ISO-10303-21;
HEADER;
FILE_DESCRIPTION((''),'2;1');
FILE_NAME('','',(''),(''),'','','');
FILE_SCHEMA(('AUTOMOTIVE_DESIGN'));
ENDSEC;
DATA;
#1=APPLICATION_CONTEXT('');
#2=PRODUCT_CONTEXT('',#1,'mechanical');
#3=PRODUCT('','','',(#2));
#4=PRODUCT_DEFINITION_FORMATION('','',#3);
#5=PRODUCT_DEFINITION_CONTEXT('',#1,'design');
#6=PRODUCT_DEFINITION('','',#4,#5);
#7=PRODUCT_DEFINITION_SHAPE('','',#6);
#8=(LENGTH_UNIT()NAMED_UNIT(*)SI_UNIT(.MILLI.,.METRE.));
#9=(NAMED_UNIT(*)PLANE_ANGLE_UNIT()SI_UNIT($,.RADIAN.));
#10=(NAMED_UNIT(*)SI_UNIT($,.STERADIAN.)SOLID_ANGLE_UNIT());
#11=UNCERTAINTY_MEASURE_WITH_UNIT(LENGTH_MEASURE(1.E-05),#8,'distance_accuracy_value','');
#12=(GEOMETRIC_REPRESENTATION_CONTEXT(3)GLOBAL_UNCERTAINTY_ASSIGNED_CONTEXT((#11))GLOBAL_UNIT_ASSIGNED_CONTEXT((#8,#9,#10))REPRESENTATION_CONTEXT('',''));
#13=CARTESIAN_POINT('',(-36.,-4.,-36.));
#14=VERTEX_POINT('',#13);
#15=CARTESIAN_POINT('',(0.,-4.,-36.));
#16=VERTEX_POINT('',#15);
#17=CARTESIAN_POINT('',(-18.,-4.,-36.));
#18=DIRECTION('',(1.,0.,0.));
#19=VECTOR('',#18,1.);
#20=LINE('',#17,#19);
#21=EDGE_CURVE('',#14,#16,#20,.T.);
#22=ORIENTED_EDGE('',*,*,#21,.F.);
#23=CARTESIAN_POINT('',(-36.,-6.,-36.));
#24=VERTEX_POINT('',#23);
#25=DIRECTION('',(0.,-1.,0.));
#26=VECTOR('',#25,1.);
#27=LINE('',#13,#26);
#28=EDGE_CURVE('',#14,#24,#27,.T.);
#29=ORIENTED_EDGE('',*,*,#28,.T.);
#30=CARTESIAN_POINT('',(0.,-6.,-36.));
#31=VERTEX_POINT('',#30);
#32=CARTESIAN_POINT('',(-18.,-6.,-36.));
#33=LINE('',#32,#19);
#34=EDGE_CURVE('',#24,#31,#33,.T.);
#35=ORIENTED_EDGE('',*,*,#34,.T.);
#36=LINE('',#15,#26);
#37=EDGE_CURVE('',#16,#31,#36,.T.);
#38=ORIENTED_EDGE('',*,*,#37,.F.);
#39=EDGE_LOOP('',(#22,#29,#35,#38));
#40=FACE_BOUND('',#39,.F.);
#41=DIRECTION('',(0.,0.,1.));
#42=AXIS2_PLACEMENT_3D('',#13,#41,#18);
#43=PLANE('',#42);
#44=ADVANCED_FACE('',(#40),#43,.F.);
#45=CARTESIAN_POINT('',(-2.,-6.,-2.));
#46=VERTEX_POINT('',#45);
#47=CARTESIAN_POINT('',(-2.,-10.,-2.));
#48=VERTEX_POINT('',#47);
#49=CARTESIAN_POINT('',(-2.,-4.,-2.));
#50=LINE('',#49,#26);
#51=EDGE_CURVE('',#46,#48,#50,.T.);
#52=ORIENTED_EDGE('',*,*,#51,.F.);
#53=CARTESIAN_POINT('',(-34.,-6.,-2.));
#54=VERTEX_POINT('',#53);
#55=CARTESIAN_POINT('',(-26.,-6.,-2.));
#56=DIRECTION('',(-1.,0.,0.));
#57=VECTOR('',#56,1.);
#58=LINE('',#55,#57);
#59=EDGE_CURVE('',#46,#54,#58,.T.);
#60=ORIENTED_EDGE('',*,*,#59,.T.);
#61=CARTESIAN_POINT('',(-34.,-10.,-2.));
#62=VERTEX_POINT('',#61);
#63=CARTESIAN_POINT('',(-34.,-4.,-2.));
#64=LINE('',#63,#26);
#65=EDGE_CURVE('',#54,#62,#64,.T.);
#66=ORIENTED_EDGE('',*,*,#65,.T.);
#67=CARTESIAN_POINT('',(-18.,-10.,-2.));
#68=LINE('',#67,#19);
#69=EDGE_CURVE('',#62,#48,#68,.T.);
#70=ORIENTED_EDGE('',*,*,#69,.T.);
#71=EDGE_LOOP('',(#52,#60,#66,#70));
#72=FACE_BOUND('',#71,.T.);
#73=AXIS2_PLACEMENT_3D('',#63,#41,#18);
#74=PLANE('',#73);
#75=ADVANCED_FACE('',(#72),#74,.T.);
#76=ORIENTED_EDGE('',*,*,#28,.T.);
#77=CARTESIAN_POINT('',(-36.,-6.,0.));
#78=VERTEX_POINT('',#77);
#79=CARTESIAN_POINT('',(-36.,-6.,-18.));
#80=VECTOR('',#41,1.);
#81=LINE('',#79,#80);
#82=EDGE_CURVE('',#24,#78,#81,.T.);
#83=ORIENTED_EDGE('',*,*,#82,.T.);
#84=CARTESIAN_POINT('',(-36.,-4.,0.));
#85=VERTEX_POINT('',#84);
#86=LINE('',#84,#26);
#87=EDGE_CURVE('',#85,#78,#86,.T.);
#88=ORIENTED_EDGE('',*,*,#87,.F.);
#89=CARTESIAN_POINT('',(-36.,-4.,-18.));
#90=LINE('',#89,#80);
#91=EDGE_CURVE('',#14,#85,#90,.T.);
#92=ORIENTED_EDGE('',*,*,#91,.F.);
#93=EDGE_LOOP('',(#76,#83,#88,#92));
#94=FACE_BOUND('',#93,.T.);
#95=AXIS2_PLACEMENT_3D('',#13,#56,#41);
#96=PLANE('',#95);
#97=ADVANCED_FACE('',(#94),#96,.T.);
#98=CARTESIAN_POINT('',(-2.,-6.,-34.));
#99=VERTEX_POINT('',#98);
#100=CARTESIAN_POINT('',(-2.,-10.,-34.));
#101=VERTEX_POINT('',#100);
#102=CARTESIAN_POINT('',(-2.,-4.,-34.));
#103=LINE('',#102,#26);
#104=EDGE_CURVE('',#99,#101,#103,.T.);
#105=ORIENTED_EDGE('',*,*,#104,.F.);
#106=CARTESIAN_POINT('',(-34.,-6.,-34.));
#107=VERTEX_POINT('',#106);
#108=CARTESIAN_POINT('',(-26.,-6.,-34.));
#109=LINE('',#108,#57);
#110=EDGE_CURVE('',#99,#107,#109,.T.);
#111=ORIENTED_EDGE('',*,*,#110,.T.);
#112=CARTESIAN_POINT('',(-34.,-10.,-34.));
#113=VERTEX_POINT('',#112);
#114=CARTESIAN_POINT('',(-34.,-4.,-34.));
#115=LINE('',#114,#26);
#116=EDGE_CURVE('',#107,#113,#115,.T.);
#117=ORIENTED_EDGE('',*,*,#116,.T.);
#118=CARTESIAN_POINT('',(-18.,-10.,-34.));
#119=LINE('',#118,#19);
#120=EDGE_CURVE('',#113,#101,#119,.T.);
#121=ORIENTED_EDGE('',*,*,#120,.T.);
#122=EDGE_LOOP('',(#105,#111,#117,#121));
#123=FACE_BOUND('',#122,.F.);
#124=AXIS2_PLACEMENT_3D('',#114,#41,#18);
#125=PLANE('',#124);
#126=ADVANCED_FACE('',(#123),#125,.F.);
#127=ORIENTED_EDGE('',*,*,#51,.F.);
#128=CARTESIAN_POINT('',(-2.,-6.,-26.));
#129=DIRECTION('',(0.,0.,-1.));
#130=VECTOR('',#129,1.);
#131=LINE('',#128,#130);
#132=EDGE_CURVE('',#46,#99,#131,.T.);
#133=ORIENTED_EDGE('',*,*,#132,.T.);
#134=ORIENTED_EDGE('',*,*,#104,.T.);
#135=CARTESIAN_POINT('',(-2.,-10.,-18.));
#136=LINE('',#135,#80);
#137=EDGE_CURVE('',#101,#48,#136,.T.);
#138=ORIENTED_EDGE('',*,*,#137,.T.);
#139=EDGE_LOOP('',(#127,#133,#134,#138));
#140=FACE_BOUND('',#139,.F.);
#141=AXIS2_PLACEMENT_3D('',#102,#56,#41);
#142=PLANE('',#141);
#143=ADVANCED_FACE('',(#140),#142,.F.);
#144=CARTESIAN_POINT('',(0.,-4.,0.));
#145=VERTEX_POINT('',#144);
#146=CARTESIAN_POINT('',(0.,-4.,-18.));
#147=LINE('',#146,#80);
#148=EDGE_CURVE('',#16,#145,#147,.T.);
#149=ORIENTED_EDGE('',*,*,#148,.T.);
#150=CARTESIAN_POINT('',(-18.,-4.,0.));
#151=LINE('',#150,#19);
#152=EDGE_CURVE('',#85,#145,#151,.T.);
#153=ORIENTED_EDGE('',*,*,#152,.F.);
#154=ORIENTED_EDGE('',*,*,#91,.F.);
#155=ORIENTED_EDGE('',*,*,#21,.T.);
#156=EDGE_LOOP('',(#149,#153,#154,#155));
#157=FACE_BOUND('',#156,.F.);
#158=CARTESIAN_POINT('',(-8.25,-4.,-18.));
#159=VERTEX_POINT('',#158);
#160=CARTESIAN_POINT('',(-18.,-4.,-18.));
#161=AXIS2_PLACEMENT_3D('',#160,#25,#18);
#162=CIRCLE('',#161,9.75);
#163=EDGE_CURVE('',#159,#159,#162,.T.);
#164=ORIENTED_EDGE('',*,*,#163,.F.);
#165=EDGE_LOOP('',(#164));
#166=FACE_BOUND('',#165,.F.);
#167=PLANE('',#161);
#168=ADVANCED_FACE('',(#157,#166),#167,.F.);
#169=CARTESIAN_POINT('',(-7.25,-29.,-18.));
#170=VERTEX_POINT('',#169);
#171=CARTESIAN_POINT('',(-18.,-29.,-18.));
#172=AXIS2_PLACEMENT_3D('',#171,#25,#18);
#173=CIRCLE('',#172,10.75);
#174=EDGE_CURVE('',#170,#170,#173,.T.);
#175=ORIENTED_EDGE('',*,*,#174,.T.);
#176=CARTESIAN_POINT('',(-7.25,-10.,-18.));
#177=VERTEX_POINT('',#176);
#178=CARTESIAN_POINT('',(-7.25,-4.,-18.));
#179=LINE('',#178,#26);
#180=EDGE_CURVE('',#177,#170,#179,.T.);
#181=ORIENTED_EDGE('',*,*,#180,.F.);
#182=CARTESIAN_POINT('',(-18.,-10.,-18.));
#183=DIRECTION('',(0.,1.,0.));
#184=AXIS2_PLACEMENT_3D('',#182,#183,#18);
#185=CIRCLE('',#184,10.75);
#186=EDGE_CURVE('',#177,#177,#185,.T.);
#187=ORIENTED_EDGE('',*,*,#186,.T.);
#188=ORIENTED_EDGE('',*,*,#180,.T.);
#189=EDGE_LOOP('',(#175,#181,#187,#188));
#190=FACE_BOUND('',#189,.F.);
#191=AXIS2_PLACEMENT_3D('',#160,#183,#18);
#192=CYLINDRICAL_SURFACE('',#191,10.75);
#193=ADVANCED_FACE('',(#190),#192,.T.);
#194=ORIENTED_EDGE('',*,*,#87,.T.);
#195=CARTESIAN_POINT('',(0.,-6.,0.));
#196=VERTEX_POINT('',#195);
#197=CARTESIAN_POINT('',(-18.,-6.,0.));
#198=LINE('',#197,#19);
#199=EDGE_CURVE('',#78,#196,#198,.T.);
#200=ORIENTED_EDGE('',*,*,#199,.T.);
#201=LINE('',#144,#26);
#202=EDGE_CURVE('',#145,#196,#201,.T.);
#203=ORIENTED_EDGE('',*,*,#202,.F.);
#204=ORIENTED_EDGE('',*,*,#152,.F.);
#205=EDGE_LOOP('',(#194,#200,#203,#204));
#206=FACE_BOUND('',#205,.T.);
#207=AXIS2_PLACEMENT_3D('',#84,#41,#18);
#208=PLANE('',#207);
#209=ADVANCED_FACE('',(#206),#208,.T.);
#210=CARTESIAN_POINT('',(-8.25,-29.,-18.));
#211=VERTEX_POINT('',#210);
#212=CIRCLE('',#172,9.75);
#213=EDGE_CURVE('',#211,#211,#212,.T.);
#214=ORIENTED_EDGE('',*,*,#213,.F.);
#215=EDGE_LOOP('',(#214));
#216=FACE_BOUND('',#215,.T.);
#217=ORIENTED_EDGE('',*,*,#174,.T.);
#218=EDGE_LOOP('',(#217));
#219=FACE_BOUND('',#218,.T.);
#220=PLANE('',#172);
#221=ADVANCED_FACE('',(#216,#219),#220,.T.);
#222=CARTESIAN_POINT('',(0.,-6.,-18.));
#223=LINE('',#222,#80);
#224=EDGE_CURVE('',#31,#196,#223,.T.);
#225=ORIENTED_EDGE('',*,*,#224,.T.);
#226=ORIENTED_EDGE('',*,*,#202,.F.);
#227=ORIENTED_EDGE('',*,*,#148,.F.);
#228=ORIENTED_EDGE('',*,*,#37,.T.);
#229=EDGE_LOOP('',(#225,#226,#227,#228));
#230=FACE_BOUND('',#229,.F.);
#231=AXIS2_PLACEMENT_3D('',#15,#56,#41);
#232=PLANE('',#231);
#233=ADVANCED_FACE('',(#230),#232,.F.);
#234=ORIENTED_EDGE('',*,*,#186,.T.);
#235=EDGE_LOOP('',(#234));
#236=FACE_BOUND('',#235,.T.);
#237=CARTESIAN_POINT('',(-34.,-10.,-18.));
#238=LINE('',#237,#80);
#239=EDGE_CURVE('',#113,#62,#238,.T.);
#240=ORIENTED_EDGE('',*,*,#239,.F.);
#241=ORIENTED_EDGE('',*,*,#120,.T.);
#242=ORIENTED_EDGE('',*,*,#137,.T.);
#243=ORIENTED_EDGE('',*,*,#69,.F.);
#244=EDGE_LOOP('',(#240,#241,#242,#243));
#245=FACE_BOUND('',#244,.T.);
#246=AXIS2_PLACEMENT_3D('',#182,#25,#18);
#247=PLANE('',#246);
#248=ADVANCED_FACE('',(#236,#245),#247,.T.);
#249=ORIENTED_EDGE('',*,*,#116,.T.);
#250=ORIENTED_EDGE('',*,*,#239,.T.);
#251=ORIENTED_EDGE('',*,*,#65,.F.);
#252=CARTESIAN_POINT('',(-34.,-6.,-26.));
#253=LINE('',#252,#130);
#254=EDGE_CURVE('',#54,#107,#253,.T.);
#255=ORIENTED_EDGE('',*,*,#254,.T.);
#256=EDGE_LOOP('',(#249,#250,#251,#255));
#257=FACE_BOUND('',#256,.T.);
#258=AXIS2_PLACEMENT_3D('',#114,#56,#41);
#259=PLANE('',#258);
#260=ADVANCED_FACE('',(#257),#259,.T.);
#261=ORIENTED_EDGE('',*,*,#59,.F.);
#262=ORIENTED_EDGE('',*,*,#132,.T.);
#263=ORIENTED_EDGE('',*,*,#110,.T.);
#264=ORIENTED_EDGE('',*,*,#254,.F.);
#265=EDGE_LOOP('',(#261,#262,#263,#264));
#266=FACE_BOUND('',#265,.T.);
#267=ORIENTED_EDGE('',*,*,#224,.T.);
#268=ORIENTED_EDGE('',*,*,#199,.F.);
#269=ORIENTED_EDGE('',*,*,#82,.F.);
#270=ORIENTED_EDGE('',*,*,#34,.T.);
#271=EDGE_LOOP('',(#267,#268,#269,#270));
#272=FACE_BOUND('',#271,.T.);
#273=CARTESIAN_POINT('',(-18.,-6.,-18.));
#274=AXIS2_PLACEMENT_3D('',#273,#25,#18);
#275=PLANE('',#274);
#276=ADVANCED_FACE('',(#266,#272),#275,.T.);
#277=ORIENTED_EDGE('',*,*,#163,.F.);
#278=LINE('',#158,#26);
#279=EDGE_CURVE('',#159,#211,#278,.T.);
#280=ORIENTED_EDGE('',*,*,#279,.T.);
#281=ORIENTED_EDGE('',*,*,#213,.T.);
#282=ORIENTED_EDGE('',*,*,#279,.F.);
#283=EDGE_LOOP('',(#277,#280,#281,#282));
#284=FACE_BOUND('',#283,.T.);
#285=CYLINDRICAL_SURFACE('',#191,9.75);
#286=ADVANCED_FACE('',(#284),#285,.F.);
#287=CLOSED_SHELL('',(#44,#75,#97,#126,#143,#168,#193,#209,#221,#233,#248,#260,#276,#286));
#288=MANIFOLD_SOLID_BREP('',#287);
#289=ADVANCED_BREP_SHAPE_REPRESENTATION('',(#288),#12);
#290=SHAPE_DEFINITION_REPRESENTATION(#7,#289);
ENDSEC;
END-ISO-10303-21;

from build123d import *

# Parameters (mm, degrees)
SKETCH016_W      = 32
SKETCH016_H      = 32
SKETCH016_R      = 9.75
EXTRUDE015_DEPTH = 6
SKETCH017_R      = 10.75
SKETCH017_R_2    = 9.75
EXTRUDE016_DEPTH = 25
SKETCH014_W      = 36
SKETCH014_H      = 36
SKETCH014_W_2    = 28
SKETCH014_H_2    = 28
EXTRUDE013_DEPTH = 2


with BuildPart() as extrude015:
    # Sketch016 → Extrude015 (new body)
    with BuildSketch(Plane.XZ):
        with Locations((-18, -18)):
            Rectangle(SKETCH016_W, SKETCH016_H)
        with Locations((-18, -18)):
            Circle(SKETCH016_R, mode=Mode.SUBTRACT)
    extrude(amount=EXTRUDE015_DEPTH)


with BuildPart() as extrude015_1:
    # Extrude015 placement: moved
    add(extrude015.part.moved(Location((0, -4, 0))))


with BuildPart() as extrude016:
    # Sketch017 → Extrude016 (new body)
    with BuildSketch(Plane.XZ):
        with Locations((-18, -18)):
            Circle(SKETCH017_R)
        with Locations((-18, -18)):
            Circle(SKETCH017_R_2, mode=Mode.SUBTRACT)
    extrude(amount=EXTRUDE016_DEPTH)


with BuildPart() as extrude016_1:
    # Extrude016 placement: moved
    add(extrude016.part.moved(Location((0, -4, 0))))


with BuildPart() as fusion002:
    # Sketch014 → Extrude013 (new body)
    with BuildSketch(Plane.XZ):
        with Locations((-18, -18)):
            Rectangle(SKETCH014_W, SKETCH014_H)
        with Locations((-18, -18)):
            Rectangle(SKETCH014_W_2, SKETCH014_H_2, mode=Mode.SUBTRACT)
    extrude(amount=EXTRUDE013_DEPTH)


with BuildPart() as fusion002_1:
    # Extrude013 placement: moved
    add(fusion002.part.moved(Location((0, -4, 0))))

    # Fusion002: union Extrude015, Extrude016
    add(extrude015_1.part)
    add(extrude016_1.part)


solid = fusion002_1.part
